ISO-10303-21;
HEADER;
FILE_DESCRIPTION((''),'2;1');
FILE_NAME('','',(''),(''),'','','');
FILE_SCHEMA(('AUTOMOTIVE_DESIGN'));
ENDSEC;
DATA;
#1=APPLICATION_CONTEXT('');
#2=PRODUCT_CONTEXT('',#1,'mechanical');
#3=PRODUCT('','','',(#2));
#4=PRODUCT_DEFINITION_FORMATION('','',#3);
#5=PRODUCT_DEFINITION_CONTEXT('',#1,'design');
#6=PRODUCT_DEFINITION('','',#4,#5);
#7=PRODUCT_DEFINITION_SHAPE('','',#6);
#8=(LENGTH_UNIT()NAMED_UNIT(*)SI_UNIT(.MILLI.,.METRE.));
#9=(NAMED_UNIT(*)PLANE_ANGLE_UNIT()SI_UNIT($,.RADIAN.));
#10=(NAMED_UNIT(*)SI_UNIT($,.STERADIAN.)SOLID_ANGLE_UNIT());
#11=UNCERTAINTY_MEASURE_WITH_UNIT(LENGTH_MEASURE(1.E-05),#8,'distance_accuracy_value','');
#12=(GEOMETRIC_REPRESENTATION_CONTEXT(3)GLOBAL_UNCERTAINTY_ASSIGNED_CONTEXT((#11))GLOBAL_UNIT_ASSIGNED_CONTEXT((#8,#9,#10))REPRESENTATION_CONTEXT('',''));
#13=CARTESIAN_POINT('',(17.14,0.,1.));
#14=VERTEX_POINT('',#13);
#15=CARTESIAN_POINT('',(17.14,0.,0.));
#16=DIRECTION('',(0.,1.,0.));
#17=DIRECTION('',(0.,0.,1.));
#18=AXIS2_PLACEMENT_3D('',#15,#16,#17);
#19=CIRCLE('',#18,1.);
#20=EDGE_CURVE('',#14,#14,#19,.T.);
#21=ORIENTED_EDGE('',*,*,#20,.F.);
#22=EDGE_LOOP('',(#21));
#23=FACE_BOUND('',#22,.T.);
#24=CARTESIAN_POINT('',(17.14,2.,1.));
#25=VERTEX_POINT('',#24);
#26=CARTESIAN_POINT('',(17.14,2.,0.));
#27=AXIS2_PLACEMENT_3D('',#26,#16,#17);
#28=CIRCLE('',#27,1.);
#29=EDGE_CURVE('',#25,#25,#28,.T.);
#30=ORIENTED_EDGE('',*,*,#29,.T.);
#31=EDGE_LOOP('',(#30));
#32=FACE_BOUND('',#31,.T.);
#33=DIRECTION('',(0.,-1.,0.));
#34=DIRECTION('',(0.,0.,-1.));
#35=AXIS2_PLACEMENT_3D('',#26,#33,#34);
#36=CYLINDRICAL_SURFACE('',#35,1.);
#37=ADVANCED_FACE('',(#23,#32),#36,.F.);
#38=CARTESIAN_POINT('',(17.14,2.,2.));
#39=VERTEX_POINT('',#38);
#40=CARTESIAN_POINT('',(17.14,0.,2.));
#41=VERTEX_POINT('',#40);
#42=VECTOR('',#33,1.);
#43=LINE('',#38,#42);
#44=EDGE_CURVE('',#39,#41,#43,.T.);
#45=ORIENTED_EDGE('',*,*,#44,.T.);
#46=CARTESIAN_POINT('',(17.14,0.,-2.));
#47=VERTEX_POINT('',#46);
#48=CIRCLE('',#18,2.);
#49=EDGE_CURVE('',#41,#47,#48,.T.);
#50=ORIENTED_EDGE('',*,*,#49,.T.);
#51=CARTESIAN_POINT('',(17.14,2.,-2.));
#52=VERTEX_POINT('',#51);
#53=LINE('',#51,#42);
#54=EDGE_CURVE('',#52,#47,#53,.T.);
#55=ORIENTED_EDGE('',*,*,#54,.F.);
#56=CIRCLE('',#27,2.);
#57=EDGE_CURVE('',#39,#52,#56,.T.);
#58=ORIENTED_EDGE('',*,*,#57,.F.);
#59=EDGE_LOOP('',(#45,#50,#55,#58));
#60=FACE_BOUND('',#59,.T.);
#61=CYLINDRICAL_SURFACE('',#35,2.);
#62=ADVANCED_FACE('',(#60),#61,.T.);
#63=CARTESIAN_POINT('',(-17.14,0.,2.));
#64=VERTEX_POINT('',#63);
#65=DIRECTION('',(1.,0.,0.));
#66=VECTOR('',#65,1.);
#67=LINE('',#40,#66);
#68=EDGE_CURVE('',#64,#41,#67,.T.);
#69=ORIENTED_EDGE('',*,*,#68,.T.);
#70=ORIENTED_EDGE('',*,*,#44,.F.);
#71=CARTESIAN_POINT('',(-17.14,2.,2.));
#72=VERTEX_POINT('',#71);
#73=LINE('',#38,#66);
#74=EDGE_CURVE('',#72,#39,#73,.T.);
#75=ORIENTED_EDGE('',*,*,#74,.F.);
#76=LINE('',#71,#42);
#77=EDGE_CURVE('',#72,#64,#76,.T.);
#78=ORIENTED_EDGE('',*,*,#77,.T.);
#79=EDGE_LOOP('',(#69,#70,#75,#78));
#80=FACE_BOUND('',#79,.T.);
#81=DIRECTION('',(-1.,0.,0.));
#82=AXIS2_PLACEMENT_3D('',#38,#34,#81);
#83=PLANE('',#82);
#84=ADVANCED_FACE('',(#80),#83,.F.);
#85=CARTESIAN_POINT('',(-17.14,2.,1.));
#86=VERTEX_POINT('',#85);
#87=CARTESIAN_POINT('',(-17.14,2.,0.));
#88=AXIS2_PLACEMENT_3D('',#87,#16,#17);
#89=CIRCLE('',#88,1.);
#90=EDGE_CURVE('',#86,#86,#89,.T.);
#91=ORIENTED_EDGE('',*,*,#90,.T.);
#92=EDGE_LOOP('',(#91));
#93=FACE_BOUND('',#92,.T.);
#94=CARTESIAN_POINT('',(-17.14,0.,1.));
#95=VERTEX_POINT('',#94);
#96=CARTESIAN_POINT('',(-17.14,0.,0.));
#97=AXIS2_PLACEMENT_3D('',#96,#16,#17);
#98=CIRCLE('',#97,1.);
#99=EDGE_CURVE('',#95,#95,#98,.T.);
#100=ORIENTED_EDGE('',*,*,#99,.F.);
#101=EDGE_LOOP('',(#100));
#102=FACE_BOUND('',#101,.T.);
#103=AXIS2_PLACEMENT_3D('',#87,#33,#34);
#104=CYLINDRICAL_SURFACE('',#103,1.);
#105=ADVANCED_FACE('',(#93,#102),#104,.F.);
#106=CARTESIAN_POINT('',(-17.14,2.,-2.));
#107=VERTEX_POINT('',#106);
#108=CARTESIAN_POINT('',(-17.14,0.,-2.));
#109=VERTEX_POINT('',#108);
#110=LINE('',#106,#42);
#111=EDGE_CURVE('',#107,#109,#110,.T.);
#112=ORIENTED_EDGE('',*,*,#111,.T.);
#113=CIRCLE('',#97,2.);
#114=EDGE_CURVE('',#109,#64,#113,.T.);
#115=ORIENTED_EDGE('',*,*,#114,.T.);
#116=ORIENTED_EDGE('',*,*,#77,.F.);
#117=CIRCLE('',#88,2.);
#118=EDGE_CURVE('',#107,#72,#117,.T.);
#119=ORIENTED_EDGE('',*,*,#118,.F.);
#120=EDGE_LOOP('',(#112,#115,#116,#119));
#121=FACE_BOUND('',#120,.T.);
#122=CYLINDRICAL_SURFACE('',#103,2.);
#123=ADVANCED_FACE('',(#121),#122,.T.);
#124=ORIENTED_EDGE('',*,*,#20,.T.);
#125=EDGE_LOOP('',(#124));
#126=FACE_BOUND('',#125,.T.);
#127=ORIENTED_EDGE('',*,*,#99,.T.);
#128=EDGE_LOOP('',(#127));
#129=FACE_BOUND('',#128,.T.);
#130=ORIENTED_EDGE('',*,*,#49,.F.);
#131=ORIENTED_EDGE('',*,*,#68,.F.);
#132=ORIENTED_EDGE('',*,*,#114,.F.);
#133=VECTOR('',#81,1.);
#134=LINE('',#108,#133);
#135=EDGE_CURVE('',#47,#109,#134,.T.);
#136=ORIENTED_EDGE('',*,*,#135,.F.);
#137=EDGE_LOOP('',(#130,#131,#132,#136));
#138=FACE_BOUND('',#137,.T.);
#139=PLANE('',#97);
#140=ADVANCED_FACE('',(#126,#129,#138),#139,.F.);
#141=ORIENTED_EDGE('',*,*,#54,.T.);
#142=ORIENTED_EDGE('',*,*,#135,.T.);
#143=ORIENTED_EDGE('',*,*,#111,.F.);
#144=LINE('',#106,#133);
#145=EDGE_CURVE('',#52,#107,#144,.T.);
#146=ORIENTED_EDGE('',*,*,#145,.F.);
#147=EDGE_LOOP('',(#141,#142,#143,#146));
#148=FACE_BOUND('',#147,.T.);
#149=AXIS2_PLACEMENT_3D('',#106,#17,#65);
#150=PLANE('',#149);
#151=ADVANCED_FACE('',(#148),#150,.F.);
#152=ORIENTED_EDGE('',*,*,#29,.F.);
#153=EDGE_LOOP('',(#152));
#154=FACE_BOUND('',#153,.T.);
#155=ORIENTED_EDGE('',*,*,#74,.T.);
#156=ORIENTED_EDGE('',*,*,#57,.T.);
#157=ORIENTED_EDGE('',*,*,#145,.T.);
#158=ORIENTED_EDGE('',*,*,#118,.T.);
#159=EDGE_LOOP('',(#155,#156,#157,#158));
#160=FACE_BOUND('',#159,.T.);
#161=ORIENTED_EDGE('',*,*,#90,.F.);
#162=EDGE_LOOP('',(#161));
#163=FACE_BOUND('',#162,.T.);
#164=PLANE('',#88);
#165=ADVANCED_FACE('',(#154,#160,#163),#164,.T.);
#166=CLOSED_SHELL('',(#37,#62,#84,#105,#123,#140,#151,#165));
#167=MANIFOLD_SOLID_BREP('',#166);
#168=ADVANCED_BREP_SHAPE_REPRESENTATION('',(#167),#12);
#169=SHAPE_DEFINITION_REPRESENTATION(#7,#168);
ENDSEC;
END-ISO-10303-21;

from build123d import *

# Parameters (mm, degrees)
SKETCH_1_R      = 1
EXTRUDE_1_DEPTH = 2


with BuildPart() as part:
    # 草图1 → 凸台-拉伸1 (new body)
    with BuildSketch(Plane(origin=(0, 0, 0), x_dir=(1, 0, 0), z_dir=(0, 1, 0))):
        with BuildLine():
            Line((-17.14, 2), (17.14, 2))
            ThreePointArc((17.14, 2), (19.14, 0), (17.14, -2))
            Line((17.14, -2), (-17.14, -2))
            ThreePointArc((-17.14, -2), (-19.14, 0), (-17.14, 2))
        make_face()
        with Locations(Location((-17.14, 0, 0), (0, 0, 270))):
            Circle(SKETCH_1_R, mode=Mode.SUBTRACT)
        with Locations(Location((17.14, 0, 0), (0, 0, 270))):
            Circle(SKETCH_1_R, mode=Mode.SUBTRACT)
    extrude(amount=EXTRUDE_1_DEPTH)


solid = part.part
